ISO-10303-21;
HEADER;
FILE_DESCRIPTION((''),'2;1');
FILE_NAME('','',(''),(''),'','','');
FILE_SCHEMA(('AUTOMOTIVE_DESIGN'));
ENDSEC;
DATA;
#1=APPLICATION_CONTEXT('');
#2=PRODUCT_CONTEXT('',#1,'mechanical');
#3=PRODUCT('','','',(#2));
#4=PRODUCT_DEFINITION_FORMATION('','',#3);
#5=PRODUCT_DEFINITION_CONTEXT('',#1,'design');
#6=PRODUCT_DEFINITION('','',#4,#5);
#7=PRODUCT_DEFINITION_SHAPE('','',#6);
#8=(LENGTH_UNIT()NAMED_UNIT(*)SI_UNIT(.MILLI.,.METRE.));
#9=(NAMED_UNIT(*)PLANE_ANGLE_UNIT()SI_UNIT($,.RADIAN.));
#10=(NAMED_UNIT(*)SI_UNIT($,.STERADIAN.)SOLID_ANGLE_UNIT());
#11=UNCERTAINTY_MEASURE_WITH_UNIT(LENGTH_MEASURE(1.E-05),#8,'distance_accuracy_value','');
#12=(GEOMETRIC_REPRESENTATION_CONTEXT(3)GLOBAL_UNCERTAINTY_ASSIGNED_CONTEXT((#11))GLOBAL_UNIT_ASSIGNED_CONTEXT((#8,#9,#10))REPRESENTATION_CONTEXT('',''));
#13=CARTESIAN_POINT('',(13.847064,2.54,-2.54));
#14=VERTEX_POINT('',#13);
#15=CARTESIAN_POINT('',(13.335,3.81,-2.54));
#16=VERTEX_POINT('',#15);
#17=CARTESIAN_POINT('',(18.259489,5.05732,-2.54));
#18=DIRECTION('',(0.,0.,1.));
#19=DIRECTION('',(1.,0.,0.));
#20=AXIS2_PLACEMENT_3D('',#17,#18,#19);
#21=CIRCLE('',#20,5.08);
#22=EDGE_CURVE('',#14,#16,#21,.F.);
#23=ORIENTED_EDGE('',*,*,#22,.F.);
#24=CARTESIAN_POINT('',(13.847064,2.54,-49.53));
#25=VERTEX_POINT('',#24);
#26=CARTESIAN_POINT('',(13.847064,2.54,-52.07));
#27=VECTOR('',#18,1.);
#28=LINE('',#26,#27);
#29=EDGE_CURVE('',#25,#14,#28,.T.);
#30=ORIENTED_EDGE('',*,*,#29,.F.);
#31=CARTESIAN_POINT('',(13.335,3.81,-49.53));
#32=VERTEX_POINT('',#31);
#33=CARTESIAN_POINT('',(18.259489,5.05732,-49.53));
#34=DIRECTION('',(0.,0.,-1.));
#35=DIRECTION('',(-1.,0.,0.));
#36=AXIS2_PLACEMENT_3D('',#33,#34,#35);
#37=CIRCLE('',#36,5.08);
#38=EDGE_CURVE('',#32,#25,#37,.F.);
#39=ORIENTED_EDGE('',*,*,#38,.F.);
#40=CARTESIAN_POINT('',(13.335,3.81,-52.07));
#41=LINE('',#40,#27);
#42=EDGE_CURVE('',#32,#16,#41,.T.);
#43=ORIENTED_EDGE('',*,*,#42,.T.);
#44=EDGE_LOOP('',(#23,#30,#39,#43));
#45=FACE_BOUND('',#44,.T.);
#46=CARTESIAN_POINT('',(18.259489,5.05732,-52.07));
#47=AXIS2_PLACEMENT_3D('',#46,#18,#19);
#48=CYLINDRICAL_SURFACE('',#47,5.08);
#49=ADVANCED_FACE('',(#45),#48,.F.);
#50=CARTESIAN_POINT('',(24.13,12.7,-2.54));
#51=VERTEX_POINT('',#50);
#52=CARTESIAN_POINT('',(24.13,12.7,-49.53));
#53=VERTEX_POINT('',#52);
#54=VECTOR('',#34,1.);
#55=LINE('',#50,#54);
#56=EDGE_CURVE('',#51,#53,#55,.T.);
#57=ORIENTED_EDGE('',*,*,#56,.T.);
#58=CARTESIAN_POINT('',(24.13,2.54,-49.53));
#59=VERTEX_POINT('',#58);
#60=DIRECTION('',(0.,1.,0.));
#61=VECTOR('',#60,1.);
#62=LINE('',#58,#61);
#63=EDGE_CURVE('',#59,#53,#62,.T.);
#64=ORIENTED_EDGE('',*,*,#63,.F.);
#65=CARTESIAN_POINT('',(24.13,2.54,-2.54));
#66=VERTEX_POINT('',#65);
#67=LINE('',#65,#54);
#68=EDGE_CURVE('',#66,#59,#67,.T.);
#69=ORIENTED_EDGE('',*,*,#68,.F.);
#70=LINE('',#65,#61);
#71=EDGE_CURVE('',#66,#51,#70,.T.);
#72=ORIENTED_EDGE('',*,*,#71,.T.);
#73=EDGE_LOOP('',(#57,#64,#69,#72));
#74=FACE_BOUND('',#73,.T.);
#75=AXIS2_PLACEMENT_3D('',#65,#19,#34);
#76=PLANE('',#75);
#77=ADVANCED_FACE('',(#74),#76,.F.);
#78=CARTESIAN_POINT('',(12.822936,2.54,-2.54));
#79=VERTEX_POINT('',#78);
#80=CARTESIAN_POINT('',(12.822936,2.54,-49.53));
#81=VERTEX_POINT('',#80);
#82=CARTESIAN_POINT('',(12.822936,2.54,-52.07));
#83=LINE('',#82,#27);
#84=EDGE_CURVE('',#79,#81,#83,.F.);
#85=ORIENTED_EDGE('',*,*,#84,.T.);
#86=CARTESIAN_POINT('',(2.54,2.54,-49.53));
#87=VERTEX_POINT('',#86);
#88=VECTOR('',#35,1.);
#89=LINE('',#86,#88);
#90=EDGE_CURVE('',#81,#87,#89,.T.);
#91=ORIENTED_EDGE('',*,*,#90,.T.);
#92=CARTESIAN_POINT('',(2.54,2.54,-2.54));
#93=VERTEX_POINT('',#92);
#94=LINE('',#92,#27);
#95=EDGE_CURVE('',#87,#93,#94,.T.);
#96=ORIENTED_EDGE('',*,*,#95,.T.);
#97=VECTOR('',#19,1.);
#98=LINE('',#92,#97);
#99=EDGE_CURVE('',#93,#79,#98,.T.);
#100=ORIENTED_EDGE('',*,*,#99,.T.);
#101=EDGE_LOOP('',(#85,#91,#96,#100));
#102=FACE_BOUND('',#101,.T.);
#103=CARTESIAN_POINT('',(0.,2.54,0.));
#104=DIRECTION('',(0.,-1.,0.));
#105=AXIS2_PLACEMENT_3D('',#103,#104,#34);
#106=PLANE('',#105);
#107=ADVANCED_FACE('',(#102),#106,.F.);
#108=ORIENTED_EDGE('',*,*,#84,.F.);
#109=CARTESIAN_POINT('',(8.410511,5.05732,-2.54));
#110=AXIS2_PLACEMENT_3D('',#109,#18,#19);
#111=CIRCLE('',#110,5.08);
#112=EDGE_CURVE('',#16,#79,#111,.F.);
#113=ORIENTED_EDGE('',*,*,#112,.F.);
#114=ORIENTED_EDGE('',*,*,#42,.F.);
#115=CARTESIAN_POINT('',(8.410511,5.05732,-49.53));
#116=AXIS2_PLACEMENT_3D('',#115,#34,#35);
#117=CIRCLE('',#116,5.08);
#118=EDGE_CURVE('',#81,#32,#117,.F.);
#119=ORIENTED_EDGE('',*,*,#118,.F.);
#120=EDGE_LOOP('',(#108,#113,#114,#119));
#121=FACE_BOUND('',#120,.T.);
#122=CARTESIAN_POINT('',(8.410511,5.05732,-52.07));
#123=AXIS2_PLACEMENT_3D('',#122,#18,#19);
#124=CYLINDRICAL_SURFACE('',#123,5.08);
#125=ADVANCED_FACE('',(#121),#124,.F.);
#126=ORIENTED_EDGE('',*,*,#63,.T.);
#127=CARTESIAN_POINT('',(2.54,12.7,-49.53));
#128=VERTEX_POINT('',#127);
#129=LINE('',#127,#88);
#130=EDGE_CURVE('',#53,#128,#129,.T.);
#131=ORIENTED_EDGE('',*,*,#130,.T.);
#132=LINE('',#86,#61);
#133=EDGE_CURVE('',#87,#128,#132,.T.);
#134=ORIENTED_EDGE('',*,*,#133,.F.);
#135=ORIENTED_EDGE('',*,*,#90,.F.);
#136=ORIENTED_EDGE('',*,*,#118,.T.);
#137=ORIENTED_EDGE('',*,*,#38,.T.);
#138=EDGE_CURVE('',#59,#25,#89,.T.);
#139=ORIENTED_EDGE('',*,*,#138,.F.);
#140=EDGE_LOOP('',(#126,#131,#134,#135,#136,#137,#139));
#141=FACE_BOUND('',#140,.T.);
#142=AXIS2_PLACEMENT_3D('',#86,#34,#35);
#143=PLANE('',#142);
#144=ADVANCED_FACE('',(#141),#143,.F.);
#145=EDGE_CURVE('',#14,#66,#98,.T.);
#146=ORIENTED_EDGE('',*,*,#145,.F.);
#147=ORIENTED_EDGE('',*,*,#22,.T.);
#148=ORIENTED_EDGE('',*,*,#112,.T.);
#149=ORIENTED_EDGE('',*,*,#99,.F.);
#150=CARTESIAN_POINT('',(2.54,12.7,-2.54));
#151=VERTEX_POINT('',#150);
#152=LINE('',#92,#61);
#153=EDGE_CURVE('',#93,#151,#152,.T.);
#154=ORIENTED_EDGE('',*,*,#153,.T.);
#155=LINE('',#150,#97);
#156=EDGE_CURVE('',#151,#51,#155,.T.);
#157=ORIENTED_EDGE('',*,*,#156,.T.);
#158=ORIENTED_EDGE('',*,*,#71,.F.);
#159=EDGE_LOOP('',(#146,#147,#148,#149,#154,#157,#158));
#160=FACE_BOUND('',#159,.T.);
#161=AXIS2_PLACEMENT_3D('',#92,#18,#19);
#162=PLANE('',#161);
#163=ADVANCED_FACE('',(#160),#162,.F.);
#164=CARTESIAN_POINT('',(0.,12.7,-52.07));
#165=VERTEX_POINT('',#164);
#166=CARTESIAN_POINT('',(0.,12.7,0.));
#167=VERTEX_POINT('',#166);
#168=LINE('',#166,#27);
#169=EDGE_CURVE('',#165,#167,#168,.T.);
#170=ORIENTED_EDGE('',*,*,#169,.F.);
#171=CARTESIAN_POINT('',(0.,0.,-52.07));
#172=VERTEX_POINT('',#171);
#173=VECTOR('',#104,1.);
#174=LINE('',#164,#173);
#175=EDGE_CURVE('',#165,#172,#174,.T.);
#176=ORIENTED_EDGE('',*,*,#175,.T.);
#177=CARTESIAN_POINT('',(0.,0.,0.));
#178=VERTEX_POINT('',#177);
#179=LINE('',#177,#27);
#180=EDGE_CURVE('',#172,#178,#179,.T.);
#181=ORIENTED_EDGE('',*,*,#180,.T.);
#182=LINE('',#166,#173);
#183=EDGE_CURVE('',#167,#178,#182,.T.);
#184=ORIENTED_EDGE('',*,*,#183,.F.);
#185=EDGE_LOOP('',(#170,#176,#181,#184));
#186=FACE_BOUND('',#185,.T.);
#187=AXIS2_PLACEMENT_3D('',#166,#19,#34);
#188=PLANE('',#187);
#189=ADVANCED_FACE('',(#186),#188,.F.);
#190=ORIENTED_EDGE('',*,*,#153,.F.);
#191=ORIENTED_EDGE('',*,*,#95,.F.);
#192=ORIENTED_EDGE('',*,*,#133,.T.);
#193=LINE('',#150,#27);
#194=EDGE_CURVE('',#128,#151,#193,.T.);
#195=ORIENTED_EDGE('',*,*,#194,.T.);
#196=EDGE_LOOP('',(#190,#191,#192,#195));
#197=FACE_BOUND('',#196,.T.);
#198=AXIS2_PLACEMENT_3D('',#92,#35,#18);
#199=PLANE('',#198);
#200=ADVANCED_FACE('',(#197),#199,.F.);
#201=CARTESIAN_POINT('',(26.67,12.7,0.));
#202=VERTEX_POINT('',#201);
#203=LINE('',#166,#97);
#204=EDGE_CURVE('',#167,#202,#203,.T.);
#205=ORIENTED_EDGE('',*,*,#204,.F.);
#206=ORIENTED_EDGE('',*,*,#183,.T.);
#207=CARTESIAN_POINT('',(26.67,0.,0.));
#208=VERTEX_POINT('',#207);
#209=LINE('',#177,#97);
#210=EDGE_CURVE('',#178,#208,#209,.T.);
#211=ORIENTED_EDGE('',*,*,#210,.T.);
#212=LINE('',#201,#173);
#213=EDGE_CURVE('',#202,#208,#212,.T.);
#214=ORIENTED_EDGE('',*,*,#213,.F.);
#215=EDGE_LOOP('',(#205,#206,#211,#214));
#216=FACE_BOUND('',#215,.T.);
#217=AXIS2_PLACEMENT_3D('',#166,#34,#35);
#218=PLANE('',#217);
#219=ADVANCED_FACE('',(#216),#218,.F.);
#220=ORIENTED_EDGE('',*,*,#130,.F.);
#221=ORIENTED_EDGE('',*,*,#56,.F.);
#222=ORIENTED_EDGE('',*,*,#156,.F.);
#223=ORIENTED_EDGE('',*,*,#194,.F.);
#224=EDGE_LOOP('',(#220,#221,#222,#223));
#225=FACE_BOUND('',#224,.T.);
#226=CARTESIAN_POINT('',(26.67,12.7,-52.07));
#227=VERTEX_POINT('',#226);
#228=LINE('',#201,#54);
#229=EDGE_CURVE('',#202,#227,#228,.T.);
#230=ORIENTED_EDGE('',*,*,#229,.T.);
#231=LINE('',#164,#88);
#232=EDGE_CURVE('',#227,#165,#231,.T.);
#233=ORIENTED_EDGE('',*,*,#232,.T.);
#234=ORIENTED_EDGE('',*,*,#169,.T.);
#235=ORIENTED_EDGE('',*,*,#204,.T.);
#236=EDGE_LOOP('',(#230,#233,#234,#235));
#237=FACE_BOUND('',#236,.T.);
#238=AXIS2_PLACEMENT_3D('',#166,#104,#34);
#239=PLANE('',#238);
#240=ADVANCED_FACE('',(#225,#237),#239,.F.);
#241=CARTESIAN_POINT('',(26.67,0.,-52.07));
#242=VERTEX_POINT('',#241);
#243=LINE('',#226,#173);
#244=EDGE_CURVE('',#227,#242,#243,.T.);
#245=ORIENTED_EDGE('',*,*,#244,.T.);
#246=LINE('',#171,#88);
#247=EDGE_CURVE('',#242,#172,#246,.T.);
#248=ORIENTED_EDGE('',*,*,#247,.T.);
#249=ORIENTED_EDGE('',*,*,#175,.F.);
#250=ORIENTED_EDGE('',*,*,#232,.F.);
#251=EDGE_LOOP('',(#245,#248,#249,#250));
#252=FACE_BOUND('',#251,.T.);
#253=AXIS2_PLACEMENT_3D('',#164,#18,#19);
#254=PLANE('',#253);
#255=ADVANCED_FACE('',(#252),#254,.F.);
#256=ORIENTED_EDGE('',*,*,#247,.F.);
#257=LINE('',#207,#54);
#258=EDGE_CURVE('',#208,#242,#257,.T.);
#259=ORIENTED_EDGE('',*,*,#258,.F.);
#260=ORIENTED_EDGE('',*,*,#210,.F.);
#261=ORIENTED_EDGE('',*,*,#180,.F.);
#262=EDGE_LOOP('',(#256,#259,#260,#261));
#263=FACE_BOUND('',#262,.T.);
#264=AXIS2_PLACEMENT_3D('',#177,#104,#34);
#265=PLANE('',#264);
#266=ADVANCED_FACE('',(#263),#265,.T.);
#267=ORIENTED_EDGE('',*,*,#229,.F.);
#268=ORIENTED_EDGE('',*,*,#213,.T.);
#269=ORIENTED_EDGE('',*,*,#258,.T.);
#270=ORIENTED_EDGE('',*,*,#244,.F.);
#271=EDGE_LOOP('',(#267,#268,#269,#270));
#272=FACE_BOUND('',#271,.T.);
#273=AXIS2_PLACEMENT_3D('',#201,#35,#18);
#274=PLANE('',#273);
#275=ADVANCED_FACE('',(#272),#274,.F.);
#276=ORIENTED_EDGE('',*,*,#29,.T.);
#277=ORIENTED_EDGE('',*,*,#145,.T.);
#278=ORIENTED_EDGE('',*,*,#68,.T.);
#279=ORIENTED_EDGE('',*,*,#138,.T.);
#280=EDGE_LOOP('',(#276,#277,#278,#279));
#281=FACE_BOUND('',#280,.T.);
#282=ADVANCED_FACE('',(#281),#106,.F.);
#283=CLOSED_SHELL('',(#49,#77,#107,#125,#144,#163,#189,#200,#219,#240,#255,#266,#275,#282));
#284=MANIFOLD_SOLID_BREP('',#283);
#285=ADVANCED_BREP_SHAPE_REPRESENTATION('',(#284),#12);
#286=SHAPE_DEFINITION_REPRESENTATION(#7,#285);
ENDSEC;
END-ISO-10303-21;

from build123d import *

# Parameters (mm, degrees)
SKETCH1_W           = 26.67
SKETCH1_H           = 52.07
BOSS_EXTRUDE1_DEPTH = 12.7
SKETCH2_W           = 21.59
SKETCH2_H           = 46.99
CUT_EXTRUDE1_DEPTH  = 10.16
BOSS_EXTRUDE2_REACH = 54.07


with BuildPart() as part:
    # Sketch1 → Boss-Extrude1 (new body)
    with BuildSketch(Plane(origin=(0, 0, 0), x_dir=(1, 0, 0), z_dir=(0, 1, 0))):
        with Locations((13.335, 26.035)):
            Rectangle(SKETCH1_W, SKETCH1_H)
    extrude(amount=BOSS_EXTRUDE1_DEPTH)

    # Sketch2 → Cut-Extrude1 (cut)
    with BuildSketch(Plane(origin=(0, 12.7, 0), x_dir=(1, 0, 0), z_dir=(0, 1, 0))):
        with Locations((13.335, 26.035)):
            Rectangle(SKETCH2_W, SKETCH2_H)
    extrude(amount=-CUT_EXTRUDE1_DEPTH, mode=Mode.SUBTRACT)

    # Sketch4 → Boss-Extrude2 (add, up to next)
    with BuildSketch(Plane.XY, mode=Mode.PRIVATE) as boss_extrude2_sk1:
        with BuildLine():
            Line((8.89, 0), (17.78, 0))
            ThreePointArc((17.78, 0), (14.953468796, 1.200296929), (13.335, 3.81))
            ThreePointArc((13.335, 3.81), (11.716531204, 1.200296929), (8.89, 0))
        make_face()
    boss_extrude2_tool1 = extrude(boss_extrude2_sk1.sketch, amount=-BOSS_EXTRUDE2_REACH, mode=Mode.PRIVATE) - part.part
    add(boss_extrude2_tool1.solids().sort_by_distance((13.335, 0.99851, 0))[0])


solid = part.part
